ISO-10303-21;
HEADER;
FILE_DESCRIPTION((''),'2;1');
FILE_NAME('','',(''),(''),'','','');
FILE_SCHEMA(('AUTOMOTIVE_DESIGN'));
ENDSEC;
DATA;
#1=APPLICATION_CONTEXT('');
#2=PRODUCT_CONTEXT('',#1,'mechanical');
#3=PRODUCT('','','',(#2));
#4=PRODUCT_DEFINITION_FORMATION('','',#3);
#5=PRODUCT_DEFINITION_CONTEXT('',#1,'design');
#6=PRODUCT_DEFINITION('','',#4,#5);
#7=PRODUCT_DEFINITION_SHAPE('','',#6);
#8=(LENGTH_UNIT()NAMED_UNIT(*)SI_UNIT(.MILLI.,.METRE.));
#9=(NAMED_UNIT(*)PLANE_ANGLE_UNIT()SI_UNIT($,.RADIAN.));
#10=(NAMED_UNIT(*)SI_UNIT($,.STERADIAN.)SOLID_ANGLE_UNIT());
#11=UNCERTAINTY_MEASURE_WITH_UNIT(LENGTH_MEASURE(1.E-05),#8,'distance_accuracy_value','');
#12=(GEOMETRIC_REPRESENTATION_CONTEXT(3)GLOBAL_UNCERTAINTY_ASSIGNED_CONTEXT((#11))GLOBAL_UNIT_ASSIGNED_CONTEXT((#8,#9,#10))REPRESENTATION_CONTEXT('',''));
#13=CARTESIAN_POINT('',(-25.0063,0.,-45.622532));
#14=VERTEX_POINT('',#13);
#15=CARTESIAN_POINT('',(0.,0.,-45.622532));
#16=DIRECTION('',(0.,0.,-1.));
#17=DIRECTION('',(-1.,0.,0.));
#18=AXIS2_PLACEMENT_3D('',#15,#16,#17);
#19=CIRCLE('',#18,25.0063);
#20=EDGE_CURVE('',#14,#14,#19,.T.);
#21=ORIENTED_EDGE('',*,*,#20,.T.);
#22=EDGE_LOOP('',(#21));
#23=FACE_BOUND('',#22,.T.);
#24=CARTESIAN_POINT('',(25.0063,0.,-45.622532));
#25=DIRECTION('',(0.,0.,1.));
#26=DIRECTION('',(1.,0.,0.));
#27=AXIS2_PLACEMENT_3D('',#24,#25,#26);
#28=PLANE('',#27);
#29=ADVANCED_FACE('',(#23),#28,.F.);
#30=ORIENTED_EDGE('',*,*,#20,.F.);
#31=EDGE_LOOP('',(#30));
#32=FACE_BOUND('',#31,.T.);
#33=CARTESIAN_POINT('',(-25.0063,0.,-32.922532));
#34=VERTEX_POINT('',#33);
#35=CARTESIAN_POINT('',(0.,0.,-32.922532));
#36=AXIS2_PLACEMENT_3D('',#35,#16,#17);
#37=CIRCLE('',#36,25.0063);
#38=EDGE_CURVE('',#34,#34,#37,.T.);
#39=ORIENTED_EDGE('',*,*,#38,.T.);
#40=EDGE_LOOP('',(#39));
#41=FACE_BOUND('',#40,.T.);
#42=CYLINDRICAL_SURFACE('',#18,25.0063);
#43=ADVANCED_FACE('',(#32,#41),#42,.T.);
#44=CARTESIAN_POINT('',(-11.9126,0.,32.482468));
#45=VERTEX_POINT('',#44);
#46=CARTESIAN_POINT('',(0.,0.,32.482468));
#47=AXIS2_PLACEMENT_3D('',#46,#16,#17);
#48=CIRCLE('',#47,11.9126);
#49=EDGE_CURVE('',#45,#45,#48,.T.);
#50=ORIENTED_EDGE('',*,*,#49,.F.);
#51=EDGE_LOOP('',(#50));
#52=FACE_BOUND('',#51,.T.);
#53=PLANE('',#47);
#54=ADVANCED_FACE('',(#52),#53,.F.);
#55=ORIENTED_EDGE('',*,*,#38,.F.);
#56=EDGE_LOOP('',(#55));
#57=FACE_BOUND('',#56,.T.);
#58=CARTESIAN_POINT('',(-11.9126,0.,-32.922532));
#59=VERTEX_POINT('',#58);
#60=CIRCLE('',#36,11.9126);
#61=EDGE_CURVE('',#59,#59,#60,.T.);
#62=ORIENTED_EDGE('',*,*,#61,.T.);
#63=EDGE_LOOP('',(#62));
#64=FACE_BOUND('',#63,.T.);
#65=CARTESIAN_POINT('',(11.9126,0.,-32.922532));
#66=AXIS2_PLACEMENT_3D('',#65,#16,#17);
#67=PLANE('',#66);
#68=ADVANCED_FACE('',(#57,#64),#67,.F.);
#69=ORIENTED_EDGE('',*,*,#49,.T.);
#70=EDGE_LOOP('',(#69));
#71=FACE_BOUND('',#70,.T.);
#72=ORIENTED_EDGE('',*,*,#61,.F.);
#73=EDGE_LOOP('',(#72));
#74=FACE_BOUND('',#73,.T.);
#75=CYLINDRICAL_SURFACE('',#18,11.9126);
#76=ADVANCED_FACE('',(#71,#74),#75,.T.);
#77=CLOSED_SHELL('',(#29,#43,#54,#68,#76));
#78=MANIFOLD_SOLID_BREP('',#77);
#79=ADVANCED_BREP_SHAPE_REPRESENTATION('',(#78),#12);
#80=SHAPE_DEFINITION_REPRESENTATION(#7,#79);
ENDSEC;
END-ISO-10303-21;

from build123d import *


with BuildPart() as part:
    # Sketch2 → Revolve1 (revolve)
    with BuildSketch(Plane(origin=(0, 0, 0), x_dir=(1, 0, 0), z_dir=(0, 1, 0)), mode=Mode.PRIVATE) as revolve1_sk:
        Polygon((0, 0), (0, -32.482468261), (11.9126, -32.482468261), (11.9126, 32.922531739), (25.0063, 32.922531739), (25.0063, 45.622531739), (0, 45.622531739), align=None)
    revolve(revolve1_sk.sketch.rotate(Axis((0, 0, -45.622531739), (0, 0, 1)), 180), axis=Axis((0, 0, -45.622531739), (0, 0, 1)))


solid = part.part
